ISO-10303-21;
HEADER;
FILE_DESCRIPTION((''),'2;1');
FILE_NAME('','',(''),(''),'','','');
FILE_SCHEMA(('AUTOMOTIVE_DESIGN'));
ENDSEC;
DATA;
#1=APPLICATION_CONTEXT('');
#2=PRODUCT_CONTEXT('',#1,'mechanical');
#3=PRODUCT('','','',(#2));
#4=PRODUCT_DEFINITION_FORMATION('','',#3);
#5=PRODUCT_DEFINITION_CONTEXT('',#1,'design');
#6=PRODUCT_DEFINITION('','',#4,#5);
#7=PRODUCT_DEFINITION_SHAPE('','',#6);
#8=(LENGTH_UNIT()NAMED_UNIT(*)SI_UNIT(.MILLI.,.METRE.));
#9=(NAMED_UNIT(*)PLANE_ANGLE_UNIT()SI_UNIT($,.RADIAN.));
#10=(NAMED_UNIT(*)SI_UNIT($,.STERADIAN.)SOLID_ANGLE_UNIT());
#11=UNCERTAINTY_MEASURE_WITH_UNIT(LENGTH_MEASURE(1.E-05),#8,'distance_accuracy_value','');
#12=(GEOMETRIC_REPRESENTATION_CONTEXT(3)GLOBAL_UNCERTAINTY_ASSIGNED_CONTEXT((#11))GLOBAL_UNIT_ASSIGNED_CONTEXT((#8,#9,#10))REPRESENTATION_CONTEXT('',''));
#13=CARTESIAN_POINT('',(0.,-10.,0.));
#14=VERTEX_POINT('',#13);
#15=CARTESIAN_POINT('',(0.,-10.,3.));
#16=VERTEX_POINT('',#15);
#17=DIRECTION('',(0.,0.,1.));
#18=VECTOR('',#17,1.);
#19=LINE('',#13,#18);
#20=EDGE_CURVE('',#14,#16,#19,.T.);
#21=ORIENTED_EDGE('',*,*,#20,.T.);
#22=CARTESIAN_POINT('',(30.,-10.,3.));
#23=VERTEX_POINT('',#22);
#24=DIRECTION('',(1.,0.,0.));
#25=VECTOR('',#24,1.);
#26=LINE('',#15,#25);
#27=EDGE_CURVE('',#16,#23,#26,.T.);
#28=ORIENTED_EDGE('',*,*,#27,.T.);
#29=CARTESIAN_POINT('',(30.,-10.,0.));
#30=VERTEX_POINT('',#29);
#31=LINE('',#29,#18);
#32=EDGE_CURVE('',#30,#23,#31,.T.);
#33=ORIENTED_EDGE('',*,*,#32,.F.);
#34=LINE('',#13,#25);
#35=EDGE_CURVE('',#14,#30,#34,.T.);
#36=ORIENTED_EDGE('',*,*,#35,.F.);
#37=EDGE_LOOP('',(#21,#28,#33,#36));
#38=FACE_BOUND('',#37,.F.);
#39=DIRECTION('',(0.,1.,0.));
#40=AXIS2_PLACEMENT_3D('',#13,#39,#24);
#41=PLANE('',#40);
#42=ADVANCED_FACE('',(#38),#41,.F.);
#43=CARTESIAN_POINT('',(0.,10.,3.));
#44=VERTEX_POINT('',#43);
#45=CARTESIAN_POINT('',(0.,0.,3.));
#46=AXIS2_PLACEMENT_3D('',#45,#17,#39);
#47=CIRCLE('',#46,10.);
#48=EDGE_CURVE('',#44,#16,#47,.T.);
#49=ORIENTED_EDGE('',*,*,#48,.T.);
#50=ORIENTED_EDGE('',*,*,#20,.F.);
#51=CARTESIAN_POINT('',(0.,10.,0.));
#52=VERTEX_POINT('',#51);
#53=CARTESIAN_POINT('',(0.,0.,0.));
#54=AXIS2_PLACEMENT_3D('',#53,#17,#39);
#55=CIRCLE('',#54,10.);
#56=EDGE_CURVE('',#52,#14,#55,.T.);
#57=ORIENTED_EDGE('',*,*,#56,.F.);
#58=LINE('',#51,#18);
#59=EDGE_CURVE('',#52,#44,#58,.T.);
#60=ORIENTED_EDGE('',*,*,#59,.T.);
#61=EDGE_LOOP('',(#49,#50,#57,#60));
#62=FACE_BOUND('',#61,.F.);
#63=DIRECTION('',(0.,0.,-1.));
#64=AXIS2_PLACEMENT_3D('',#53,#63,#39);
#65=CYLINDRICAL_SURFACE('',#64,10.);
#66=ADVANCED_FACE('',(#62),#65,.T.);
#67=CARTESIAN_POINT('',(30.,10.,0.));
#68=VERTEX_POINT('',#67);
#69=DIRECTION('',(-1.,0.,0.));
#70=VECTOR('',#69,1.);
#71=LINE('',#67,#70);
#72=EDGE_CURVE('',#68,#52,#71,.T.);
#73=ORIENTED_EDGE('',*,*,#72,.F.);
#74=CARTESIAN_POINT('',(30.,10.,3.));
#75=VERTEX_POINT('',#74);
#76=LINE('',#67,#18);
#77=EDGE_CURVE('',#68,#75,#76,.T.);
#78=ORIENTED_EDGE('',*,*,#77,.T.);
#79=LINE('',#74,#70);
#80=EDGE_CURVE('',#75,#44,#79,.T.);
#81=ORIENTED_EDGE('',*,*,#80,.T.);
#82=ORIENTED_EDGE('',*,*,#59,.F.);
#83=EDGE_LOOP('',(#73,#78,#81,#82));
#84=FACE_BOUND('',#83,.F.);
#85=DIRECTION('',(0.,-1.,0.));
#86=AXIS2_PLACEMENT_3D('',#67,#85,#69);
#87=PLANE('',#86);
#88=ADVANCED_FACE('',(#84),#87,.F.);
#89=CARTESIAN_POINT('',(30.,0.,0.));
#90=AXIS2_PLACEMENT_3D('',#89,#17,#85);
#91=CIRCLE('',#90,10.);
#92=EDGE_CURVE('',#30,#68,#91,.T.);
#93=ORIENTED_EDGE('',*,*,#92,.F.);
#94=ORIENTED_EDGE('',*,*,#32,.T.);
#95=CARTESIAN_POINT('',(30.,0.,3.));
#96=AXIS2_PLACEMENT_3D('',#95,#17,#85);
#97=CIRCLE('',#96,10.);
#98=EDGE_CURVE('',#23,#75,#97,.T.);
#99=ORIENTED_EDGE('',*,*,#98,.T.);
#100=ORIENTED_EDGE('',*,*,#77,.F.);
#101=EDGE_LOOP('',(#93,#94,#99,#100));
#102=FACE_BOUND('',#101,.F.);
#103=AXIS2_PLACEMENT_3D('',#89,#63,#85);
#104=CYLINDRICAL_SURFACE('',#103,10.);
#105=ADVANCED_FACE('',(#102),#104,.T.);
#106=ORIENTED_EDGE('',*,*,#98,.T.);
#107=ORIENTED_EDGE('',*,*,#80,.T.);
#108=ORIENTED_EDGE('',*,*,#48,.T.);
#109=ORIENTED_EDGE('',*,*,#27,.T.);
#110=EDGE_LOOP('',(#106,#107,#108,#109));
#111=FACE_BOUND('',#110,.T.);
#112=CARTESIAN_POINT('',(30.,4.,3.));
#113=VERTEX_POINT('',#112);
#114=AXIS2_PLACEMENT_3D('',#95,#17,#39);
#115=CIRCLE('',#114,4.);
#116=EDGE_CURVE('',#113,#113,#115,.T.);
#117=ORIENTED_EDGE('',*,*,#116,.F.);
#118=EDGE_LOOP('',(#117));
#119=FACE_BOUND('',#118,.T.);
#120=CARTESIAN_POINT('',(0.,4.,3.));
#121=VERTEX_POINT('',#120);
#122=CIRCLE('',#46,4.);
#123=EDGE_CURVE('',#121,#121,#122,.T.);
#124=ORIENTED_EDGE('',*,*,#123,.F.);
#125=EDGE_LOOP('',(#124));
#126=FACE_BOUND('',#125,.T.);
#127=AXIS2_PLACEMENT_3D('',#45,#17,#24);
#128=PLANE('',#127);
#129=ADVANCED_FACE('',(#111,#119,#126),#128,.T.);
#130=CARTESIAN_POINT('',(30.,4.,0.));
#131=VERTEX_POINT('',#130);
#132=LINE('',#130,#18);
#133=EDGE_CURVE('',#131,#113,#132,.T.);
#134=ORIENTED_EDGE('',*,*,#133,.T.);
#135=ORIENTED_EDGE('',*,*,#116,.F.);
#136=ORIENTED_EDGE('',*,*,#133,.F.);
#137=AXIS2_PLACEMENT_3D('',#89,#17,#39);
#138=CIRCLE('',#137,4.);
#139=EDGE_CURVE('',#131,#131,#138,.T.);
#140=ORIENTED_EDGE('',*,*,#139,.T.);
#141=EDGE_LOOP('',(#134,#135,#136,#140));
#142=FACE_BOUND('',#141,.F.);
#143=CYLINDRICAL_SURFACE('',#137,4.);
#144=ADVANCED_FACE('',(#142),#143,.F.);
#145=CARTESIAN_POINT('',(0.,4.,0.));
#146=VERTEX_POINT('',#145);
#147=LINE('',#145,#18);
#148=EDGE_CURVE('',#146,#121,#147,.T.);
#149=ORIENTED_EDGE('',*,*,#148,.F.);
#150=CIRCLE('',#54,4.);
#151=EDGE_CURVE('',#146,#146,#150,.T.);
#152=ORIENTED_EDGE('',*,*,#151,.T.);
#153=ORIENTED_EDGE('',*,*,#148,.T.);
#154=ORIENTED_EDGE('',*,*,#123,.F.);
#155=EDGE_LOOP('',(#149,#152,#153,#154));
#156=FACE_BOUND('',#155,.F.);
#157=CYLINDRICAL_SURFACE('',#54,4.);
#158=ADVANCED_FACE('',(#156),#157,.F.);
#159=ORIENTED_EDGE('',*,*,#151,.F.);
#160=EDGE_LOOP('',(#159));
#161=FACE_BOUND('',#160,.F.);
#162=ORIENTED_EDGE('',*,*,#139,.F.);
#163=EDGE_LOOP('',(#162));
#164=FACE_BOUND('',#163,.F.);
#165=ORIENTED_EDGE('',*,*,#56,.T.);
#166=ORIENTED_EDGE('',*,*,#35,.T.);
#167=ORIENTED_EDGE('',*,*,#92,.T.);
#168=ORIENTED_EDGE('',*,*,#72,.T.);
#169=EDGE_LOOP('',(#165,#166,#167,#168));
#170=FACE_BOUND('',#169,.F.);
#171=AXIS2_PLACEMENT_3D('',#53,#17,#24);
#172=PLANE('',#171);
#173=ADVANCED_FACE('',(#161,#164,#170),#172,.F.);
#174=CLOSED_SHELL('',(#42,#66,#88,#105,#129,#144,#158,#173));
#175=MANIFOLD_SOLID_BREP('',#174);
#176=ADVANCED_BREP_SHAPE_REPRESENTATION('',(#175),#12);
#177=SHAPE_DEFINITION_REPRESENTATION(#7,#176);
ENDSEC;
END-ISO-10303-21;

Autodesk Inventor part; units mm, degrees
ref_plane "YZ Plane" through (0, 0, 0) normal (1, 0, 0) x (0, 1, 0)
ref_plane "XZ Plane" through (0, 0, 0) normal (0, 1, 0) x (-1, 0, 0)
ref_plane "XY Plane" through (0, 0, 0) normal (0, 0, 1) x (1, 0, 0)
sketch "Szkic1" plane through (0, 0, 0) normal (0, 0, 1) x (1, 0, 0)
  line L0 (0, 0) -> (30, 0) construction
  line L1 (0, -10) -> (30, -10)
  line L2 (30, 10) -> (0, 10)
  arc A0 (0, 10) -> (0, -10) centre (0, 0) ccw
  arc A1 (30, -10) -> (30, 10) centre (30, 0) ccw
  point P0 (15, 0)
  dimension "d0" = 30
  dimension "d1" = 20
extrude "Wyciągnięcie proste1" add sketch "Szkic1" along normal blind 3
hole "Otwór1" at (0, 0, 0) at (30, 0, 0) direction (0, 0, 1) diameter 8 end through all
properties part number "ramie_2_wahacza_tylnego"
